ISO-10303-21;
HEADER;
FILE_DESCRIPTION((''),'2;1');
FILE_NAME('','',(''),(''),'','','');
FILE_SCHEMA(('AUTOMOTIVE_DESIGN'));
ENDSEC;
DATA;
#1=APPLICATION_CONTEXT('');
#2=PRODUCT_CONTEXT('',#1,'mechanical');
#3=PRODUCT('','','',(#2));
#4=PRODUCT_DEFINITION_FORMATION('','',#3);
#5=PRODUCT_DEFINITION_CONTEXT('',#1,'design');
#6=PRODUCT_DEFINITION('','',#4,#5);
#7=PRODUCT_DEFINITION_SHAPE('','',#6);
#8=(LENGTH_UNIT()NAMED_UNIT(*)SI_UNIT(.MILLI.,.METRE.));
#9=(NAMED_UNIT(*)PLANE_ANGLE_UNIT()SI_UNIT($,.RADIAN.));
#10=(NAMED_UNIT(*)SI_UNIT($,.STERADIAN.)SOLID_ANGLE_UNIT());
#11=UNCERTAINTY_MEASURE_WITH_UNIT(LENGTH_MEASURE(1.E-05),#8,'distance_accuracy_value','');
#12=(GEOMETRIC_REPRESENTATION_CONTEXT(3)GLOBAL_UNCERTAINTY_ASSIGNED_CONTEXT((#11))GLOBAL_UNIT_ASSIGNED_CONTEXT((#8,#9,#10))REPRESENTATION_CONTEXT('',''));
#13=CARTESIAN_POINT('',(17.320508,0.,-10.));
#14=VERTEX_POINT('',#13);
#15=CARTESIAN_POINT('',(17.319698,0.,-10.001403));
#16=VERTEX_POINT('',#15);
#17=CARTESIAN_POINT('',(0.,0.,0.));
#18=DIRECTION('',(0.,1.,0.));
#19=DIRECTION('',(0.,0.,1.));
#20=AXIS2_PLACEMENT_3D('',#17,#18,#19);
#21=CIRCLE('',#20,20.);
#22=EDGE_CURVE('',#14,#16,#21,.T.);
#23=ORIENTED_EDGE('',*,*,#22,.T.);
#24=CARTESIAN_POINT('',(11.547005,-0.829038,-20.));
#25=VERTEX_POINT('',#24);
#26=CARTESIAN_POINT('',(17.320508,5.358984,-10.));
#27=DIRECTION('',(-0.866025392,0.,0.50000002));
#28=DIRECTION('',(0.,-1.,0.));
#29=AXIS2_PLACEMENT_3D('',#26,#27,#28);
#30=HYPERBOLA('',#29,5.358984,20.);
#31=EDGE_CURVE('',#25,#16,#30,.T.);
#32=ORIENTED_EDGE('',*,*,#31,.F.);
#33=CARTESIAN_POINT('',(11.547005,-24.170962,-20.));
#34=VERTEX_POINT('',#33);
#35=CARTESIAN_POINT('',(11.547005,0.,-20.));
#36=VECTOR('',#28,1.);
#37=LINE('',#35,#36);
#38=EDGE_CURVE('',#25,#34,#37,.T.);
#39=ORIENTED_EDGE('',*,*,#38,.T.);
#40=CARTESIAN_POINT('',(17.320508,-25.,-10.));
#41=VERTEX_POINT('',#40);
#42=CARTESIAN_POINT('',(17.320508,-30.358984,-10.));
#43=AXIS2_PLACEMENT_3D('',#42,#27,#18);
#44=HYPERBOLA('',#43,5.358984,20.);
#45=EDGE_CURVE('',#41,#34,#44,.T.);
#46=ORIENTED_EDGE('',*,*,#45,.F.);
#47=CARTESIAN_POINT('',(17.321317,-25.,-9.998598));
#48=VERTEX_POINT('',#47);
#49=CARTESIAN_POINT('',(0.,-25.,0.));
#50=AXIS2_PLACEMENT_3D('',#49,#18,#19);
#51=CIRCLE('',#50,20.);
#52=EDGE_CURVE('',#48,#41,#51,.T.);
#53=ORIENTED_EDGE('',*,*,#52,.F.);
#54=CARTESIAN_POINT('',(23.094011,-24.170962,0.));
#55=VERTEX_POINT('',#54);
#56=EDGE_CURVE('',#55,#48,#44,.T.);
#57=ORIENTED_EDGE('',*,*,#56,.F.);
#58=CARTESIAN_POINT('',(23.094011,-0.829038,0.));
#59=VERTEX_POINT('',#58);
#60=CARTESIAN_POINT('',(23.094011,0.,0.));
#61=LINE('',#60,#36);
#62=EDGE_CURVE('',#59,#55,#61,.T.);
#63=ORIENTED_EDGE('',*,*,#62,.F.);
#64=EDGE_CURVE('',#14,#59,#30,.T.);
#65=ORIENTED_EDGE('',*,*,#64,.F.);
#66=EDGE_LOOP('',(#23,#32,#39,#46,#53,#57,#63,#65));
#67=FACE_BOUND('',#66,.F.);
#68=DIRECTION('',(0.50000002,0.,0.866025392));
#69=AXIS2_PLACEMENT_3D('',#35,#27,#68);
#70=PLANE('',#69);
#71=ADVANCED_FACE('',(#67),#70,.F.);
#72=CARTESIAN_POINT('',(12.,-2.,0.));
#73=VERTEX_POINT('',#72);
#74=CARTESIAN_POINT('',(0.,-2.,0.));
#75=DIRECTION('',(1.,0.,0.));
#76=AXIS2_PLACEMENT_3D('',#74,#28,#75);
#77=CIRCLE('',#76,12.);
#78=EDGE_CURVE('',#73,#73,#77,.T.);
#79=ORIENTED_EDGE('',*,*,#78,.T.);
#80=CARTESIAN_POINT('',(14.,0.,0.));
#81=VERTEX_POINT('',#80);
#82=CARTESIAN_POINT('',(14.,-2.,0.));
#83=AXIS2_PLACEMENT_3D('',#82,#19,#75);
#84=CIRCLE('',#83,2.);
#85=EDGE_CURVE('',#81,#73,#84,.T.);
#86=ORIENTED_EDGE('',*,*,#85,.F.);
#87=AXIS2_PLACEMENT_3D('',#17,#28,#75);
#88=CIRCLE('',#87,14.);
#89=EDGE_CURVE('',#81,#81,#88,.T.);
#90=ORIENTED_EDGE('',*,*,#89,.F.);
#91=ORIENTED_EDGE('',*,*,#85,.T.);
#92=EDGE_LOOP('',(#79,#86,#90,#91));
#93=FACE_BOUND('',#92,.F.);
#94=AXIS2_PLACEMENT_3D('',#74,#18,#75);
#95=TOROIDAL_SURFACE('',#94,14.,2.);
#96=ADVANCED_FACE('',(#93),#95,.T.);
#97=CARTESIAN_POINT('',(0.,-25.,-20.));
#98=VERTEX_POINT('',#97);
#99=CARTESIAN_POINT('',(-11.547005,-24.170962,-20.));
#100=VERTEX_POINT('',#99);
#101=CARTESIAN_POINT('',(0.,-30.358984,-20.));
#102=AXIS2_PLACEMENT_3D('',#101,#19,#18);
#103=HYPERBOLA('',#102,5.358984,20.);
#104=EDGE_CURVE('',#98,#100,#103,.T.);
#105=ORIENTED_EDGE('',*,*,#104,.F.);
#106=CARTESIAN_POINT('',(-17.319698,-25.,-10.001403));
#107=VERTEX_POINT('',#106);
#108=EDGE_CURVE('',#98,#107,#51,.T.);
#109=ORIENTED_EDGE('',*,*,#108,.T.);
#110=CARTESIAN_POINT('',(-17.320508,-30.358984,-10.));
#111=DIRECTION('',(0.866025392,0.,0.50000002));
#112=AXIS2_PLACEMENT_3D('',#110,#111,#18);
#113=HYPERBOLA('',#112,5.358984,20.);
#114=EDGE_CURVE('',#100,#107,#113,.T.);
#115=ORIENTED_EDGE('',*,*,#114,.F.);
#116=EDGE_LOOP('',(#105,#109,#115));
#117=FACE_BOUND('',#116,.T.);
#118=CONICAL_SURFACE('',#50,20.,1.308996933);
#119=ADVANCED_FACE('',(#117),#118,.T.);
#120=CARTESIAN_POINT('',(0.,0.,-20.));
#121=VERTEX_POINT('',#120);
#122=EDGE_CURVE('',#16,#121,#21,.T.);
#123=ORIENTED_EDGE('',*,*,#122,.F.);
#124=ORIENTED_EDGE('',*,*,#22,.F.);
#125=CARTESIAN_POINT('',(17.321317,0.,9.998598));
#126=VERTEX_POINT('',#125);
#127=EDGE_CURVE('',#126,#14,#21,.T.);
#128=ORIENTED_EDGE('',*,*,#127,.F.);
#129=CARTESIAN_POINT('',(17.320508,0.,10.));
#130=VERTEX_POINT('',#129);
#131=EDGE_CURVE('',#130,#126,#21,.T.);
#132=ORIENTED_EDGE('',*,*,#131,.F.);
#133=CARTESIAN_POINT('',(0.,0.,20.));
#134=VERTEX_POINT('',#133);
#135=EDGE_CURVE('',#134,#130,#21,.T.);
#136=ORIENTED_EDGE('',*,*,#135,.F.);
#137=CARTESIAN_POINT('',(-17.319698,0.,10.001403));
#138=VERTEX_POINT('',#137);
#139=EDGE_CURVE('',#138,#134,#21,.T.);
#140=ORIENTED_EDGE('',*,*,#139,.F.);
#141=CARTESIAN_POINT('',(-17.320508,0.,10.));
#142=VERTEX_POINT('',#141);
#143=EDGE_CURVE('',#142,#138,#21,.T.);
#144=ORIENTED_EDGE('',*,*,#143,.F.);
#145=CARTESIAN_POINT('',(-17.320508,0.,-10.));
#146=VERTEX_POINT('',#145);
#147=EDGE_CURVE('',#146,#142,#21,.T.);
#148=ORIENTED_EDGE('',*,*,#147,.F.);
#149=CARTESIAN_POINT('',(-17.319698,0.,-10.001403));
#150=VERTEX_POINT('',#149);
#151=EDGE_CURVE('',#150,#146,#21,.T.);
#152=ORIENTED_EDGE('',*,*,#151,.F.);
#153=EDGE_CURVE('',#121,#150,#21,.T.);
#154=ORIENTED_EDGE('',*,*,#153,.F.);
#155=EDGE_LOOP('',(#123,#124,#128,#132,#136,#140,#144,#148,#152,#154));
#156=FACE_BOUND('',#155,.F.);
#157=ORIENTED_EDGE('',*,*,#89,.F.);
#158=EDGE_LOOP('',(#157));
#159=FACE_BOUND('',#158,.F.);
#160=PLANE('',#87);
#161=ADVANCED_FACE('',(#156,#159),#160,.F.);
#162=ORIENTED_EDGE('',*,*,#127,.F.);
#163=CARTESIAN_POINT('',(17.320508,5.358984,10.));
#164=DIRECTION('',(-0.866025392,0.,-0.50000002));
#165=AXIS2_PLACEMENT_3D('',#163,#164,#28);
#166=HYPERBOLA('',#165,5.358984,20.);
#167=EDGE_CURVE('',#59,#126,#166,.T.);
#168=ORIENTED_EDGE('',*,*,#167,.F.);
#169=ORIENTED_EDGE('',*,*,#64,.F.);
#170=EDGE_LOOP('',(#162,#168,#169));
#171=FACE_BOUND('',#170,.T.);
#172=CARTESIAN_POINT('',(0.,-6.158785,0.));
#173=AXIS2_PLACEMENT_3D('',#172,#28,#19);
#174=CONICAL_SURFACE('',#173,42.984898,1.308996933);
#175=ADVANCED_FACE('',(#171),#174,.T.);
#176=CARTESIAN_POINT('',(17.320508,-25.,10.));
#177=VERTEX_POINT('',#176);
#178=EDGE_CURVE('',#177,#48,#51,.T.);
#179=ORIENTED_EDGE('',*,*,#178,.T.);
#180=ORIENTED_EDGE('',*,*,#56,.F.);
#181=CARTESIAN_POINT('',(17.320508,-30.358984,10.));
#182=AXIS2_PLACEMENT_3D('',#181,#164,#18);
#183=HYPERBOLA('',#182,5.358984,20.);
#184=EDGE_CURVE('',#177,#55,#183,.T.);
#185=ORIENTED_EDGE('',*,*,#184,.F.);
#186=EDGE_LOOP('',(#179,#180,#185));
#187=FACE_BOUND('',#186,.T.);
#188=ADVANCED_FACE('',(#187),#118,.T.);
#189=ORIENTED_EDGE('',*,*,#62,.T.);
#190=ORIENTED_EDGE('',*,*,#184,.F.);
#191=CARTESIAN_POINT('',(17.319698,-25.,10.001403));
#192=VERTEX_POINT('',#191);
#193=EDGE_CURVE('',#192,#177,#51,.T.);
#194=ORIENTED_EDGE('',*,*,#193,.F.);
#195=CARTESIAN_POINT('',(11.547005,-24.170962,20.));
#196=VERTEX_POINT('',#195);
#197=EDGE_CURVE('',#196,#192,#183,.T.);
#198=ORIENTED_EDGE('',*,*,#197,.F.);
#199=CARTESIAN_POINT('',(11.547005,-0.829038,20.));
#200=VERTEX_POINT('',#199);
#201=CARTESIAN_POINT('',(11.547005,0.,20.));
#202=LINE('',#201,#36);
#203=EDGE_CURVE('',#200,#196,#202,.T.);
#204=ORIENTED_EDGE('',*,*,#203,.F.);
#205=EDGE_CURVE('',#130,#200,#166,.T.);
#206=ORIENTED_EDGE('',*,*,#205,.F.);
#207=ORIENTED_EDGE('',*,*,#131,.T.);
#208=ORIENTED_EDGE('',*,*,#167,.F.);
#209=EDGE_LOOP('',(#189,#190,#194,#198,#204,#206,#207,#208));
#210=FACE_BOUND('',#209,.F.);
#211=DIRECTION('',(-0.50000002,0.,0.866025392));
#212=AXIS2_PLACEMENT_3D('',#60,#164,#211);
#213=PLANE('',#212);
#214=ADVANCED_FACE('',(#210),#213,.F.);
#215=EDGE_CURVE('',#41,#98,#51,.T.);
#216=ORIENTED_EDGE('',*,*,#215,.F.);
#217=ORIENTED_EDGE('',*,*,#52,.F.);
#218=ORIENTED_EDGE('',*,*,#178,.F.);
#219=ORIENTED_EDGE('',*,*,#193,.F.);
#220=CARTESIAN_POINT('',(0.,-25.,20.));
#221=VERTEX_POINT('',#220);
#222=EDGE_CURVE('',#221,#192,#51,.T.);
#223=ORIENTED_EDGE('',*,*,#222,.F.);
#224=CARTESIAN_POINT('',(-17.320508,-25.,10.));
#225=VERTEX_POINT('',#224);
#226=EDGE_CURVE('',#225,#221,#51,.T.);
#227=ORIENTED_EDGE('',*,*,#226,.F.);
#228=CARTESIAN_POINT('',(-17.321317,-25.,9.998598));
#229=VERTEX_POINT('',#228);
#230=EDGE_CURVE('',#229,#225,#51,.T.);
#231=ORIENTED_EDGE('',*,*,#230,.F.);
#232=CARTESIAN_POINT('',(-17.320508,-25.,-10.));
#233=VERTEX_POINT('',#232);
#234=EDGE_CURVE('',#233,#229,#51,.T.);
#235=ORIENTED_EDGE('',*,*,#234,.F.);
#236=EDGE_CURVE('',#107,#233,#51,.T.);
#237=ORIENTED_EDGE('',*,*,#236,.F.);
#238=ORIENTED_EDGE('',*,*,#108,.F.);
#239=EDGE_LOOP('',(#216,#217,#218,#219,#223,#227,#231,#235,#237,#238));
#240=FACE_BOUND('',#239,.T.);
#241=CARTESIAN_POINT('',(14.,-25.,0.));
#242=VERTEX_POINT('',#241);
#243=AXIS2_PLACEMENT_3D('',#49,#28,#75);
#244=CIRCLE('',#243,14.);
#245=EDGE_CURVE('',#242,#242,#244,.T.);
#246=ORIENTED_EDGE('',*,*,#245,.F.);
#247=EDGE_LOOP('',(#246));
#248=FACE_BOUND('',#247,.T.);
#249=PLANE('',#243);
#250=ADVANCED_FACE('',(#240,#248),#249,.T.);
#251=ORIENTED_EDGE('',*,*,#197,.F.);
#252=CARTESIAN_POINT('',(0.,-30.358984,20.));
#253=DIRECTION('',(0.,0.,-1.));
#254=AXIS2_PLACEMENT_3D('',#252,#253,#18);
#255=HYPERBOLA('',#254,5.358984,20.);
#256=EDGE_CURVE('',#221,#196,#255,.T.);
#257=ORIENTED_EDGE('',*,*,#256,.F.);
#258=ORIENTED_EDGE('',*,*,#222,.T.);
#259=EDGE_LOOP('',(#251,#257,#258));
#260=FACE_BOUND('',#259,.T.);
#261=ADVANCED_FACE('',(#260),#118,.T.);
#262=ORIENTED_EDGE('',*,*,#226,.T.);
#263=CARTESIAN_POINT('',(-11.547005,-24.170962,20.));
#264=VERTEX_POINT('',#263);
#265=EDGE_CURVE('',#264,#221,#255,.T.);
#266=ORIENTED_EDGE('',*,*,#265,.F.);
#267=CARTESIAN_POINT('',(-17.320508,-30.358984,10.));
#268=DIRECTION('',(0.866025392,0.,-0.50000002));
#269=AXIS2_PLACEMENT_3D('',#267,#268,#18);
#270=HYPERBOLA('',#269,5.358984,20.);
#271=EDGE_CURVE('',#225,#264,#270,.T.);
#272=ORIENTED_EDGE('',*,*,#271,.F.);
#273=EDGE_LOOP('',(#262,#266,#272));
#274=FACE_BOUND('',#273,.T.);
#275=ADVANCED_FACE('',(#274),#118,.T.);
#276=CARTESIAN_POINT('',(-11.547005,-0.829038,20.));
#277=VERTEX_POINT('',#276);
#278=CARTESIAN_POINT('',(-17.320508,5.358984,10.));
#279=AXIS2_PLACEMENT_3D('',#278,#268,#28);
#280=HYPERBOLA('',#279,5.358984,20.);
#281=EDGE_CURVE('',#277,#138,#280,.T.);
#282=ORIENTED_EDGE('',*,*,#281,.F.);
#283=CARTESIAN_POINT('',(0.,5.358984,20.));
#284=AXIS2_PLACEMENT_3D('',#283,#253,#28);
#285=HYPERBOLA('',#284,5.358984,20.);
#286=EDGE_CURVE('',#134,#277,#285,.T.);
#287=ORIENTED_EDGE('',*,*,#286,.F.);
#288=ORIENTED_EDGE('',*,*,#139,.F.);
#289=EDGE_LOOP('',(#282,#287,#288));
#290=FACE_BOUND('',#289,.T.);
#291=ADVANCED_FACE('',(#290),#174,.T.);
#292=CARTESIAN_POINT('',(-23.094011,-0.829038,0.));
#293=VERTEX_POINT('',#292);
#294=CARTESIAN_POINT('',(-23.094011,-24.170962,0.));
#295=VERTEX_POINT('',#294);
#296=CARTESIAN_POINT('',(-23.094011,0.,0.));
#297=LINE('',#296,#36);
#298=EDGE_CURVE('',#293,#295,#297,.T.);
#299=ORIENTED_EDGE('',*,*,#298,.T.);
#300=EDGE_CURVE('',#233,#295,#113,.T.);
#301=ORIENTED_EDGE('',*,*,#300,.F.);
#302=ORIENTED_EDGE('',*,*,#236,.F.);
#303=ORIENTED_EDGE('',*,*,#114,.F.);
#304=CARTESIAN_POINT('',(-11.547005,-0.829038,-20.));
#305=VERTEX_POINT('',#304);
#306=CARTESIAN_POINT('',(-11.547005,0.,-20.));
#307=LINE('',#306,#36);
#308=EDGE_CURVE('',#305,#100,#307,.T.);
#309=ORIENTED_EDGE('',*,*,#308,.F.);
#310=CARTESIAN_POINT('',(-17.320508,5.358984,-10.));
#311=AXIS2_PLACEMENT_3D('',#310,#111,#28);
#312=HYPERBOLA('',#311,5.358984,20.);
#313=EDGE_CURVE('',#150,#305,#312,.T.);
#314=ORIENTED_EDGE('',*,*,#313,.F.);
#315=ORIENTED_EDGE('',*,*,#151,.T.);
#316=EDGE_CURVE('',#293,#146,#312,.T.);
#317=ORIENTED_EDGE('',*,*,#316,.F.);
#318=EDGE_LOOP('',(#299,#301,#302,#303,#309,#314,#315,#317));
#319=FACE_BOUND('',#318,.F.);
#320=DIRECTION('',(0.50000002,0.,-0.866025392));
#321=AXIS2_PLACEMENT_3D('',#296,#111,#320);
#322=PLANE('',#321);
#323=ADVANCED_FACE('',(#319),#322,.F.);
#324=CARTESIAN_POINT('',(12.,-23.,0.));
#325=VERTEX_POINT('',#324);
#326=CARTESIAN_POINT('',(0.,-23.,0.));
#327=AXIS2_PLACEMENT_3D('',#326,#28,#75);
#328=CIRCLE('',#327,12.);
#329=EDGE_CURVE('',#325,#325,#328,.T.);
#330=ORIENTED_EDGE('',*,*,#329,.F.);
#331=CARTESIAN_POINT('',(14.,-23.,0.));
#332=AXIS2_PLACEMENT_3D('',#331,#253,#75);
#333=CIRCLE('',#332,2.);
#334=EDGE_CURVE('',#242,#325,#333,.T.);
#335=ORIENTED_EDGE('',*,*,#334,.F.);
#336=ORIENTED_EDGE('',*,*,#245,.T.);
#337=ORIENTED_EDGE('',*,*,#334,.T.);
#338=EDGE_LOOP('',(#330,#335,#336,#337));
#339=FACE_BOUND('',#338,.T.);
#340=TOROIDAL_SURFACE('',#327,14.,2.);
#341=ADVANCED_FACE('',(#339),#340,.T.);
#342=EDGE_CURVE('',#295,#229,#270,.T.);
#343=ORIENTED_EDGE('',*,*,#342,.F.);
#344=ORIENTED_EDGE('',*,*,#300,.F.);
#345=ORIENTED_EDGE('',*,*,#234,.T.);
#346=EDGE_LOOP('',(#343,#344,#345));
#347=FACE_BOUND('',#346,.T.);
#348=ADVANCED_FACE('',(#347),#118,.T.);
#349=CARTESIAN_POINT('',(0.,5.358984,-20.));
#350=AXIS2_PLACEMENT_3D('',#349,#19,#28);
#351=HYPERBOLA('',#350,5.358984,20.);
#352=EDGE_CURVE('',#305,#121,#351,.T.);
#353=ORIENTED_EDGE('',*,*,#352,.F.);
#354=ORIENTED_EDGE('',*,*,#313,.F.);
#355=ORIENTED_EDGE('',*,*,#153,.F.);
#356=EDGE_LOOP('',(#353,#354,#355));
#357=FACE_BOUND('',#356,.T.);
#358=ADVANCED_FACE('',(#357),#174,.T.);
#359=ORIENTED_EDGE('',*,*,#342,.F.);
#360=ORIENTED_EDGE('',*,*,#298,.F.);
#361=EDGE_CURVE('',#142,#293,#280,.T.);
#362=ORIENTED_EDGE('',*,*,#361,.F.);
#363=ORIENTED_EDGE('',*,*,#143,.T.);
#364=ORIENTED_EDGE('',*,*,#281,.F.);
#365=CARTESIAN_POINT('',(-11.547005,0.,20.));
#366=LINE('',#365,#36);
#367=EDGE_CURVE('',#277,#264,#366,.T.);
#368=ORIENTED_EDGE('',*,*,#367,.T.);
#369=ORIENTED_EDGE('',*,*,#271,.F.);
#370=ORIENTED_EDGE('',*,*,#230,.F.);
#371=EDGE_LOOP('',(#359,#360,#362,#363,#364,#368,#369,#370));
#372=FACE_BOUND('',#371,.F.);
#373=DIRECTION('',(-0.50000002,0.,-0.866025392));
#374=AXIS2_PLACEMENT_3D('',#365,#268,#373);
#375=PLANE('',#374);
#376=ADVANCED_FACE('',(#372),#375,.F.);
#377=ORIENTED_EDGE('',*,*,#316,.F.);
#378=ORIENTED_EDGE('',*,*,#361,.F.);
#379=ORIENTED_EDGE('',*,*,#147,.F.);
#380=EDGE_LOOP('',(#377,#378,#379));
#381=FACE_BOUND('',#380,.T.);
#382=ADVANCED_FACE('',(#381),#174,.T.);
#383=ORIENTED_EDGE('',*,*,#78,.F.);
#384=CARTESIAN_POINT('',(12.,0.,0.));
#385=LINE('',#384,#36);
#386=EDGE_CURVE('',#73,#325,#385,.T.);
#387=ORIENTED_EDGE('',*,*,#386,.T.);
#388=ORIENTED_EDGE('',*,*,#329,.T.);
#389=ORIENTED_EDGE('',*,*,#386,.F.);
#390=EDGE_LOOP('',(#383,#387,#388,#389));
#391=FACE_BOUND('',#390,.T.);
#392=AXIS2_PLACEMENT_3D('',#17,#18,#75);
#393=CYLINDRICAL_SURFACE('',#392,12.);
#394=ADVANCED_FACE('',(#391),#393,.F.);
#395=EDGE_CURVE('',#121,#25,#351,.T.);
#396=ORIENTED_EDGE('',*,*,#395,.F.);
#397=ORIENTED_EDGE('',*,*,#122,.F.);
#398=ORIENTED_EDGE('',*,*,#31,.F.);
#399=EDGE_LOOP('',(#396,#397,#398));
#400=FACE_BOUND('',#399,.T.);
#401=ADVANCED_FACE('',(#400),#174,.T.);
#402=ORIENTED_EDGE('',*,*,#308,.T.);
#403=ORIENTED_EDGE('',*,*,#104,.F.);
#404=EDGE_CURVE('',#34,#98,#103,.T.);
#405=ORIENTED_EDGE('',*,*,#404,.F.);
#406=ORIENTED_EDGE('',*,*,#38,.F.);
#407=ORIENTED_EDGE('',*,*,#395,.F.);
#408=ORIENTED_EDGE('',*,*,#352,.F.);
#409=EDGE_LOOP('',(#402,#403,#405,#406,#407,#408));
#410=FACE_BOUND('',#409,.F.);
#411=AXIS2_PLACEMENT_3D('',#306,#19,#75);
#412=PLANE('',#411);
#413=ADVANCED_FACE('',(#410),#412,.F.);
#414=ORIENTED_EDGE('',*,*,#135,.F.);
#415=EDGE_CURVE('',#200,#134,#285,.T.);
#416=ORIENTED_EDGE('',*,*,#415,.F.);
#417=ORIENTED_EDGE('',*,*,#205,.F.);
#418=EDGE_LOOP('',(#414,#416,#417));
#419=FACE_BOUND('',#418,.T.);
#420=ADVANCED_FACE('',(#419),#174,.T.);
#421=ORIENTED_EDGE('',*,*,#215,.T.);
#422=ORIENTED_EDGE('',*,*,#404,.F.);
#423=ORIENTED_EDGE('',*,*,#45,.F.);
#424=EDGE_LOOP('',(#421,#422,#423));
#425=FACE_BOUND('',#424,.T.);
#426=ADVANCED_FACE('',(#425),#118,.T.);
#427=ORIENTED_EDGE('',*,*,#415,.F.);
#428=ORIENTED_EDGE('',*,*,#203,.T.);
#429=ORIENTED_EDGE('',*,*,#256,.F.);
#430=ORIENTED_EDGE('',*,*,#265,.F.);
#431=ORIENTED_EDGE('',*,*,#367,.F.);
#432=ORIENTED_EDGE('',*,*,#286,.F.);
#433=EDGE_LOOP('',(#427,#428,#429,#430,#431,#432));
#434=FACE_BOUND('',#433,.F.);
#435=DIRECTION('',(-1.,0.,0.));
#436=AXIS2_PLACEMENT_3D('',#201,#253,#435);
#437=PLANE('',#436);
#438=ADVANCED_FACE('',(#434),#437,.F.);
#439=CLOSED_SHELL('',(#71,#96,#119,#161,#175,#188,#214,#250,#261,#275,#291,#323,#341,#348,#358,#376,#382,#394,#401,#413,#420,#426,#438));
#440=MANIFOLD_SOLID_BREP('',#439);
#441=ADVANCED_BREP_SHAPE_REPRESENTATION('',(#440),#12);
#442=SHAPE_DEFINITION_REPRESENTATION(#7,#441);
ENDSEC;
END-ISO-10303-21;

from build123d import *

# Parameters (mm, degrees)
F0_R     = 12
F1_DEPTH = 25
F4_R     = 2


with BuildPart() as f1:
    # F0 (on Front) → F1 (new body)
    with BuildSketch(Plane.XZ):
        Polygon((11.547005, 20), (-11.547005, 20), (-23.094011, 0), (-11.547005, -20), (11.547005, -20), (23.094011, 0), align=None)
        Circle(F0_R, mode=Mode.SUBTRACT)
    extrude(amount=F1_DEPTH)

    # F2 (on Right) → F3 (revolve, cut)
    with BuildSketch(Plane.YZ):
        Polygon((-25, 56.939398), (-25, 20), (-18.841215, 42.984898), (-6.158785, 42.984898), (0, 20), (0, 56.939398), align=None)
    revolve(axis=Axis((0, -3.116442, 0), (0, 1, 0)), mode=Mode.SUBTRACT)

    # F4
    f4_edges = [f1.edges().sort_by_distance(p)[0] for p in [
        (-12, -25, 0),
        (-12, 0, 0),
    ]]
    fillet(f4_edges, radius=F4_R)


solid = f1.part
